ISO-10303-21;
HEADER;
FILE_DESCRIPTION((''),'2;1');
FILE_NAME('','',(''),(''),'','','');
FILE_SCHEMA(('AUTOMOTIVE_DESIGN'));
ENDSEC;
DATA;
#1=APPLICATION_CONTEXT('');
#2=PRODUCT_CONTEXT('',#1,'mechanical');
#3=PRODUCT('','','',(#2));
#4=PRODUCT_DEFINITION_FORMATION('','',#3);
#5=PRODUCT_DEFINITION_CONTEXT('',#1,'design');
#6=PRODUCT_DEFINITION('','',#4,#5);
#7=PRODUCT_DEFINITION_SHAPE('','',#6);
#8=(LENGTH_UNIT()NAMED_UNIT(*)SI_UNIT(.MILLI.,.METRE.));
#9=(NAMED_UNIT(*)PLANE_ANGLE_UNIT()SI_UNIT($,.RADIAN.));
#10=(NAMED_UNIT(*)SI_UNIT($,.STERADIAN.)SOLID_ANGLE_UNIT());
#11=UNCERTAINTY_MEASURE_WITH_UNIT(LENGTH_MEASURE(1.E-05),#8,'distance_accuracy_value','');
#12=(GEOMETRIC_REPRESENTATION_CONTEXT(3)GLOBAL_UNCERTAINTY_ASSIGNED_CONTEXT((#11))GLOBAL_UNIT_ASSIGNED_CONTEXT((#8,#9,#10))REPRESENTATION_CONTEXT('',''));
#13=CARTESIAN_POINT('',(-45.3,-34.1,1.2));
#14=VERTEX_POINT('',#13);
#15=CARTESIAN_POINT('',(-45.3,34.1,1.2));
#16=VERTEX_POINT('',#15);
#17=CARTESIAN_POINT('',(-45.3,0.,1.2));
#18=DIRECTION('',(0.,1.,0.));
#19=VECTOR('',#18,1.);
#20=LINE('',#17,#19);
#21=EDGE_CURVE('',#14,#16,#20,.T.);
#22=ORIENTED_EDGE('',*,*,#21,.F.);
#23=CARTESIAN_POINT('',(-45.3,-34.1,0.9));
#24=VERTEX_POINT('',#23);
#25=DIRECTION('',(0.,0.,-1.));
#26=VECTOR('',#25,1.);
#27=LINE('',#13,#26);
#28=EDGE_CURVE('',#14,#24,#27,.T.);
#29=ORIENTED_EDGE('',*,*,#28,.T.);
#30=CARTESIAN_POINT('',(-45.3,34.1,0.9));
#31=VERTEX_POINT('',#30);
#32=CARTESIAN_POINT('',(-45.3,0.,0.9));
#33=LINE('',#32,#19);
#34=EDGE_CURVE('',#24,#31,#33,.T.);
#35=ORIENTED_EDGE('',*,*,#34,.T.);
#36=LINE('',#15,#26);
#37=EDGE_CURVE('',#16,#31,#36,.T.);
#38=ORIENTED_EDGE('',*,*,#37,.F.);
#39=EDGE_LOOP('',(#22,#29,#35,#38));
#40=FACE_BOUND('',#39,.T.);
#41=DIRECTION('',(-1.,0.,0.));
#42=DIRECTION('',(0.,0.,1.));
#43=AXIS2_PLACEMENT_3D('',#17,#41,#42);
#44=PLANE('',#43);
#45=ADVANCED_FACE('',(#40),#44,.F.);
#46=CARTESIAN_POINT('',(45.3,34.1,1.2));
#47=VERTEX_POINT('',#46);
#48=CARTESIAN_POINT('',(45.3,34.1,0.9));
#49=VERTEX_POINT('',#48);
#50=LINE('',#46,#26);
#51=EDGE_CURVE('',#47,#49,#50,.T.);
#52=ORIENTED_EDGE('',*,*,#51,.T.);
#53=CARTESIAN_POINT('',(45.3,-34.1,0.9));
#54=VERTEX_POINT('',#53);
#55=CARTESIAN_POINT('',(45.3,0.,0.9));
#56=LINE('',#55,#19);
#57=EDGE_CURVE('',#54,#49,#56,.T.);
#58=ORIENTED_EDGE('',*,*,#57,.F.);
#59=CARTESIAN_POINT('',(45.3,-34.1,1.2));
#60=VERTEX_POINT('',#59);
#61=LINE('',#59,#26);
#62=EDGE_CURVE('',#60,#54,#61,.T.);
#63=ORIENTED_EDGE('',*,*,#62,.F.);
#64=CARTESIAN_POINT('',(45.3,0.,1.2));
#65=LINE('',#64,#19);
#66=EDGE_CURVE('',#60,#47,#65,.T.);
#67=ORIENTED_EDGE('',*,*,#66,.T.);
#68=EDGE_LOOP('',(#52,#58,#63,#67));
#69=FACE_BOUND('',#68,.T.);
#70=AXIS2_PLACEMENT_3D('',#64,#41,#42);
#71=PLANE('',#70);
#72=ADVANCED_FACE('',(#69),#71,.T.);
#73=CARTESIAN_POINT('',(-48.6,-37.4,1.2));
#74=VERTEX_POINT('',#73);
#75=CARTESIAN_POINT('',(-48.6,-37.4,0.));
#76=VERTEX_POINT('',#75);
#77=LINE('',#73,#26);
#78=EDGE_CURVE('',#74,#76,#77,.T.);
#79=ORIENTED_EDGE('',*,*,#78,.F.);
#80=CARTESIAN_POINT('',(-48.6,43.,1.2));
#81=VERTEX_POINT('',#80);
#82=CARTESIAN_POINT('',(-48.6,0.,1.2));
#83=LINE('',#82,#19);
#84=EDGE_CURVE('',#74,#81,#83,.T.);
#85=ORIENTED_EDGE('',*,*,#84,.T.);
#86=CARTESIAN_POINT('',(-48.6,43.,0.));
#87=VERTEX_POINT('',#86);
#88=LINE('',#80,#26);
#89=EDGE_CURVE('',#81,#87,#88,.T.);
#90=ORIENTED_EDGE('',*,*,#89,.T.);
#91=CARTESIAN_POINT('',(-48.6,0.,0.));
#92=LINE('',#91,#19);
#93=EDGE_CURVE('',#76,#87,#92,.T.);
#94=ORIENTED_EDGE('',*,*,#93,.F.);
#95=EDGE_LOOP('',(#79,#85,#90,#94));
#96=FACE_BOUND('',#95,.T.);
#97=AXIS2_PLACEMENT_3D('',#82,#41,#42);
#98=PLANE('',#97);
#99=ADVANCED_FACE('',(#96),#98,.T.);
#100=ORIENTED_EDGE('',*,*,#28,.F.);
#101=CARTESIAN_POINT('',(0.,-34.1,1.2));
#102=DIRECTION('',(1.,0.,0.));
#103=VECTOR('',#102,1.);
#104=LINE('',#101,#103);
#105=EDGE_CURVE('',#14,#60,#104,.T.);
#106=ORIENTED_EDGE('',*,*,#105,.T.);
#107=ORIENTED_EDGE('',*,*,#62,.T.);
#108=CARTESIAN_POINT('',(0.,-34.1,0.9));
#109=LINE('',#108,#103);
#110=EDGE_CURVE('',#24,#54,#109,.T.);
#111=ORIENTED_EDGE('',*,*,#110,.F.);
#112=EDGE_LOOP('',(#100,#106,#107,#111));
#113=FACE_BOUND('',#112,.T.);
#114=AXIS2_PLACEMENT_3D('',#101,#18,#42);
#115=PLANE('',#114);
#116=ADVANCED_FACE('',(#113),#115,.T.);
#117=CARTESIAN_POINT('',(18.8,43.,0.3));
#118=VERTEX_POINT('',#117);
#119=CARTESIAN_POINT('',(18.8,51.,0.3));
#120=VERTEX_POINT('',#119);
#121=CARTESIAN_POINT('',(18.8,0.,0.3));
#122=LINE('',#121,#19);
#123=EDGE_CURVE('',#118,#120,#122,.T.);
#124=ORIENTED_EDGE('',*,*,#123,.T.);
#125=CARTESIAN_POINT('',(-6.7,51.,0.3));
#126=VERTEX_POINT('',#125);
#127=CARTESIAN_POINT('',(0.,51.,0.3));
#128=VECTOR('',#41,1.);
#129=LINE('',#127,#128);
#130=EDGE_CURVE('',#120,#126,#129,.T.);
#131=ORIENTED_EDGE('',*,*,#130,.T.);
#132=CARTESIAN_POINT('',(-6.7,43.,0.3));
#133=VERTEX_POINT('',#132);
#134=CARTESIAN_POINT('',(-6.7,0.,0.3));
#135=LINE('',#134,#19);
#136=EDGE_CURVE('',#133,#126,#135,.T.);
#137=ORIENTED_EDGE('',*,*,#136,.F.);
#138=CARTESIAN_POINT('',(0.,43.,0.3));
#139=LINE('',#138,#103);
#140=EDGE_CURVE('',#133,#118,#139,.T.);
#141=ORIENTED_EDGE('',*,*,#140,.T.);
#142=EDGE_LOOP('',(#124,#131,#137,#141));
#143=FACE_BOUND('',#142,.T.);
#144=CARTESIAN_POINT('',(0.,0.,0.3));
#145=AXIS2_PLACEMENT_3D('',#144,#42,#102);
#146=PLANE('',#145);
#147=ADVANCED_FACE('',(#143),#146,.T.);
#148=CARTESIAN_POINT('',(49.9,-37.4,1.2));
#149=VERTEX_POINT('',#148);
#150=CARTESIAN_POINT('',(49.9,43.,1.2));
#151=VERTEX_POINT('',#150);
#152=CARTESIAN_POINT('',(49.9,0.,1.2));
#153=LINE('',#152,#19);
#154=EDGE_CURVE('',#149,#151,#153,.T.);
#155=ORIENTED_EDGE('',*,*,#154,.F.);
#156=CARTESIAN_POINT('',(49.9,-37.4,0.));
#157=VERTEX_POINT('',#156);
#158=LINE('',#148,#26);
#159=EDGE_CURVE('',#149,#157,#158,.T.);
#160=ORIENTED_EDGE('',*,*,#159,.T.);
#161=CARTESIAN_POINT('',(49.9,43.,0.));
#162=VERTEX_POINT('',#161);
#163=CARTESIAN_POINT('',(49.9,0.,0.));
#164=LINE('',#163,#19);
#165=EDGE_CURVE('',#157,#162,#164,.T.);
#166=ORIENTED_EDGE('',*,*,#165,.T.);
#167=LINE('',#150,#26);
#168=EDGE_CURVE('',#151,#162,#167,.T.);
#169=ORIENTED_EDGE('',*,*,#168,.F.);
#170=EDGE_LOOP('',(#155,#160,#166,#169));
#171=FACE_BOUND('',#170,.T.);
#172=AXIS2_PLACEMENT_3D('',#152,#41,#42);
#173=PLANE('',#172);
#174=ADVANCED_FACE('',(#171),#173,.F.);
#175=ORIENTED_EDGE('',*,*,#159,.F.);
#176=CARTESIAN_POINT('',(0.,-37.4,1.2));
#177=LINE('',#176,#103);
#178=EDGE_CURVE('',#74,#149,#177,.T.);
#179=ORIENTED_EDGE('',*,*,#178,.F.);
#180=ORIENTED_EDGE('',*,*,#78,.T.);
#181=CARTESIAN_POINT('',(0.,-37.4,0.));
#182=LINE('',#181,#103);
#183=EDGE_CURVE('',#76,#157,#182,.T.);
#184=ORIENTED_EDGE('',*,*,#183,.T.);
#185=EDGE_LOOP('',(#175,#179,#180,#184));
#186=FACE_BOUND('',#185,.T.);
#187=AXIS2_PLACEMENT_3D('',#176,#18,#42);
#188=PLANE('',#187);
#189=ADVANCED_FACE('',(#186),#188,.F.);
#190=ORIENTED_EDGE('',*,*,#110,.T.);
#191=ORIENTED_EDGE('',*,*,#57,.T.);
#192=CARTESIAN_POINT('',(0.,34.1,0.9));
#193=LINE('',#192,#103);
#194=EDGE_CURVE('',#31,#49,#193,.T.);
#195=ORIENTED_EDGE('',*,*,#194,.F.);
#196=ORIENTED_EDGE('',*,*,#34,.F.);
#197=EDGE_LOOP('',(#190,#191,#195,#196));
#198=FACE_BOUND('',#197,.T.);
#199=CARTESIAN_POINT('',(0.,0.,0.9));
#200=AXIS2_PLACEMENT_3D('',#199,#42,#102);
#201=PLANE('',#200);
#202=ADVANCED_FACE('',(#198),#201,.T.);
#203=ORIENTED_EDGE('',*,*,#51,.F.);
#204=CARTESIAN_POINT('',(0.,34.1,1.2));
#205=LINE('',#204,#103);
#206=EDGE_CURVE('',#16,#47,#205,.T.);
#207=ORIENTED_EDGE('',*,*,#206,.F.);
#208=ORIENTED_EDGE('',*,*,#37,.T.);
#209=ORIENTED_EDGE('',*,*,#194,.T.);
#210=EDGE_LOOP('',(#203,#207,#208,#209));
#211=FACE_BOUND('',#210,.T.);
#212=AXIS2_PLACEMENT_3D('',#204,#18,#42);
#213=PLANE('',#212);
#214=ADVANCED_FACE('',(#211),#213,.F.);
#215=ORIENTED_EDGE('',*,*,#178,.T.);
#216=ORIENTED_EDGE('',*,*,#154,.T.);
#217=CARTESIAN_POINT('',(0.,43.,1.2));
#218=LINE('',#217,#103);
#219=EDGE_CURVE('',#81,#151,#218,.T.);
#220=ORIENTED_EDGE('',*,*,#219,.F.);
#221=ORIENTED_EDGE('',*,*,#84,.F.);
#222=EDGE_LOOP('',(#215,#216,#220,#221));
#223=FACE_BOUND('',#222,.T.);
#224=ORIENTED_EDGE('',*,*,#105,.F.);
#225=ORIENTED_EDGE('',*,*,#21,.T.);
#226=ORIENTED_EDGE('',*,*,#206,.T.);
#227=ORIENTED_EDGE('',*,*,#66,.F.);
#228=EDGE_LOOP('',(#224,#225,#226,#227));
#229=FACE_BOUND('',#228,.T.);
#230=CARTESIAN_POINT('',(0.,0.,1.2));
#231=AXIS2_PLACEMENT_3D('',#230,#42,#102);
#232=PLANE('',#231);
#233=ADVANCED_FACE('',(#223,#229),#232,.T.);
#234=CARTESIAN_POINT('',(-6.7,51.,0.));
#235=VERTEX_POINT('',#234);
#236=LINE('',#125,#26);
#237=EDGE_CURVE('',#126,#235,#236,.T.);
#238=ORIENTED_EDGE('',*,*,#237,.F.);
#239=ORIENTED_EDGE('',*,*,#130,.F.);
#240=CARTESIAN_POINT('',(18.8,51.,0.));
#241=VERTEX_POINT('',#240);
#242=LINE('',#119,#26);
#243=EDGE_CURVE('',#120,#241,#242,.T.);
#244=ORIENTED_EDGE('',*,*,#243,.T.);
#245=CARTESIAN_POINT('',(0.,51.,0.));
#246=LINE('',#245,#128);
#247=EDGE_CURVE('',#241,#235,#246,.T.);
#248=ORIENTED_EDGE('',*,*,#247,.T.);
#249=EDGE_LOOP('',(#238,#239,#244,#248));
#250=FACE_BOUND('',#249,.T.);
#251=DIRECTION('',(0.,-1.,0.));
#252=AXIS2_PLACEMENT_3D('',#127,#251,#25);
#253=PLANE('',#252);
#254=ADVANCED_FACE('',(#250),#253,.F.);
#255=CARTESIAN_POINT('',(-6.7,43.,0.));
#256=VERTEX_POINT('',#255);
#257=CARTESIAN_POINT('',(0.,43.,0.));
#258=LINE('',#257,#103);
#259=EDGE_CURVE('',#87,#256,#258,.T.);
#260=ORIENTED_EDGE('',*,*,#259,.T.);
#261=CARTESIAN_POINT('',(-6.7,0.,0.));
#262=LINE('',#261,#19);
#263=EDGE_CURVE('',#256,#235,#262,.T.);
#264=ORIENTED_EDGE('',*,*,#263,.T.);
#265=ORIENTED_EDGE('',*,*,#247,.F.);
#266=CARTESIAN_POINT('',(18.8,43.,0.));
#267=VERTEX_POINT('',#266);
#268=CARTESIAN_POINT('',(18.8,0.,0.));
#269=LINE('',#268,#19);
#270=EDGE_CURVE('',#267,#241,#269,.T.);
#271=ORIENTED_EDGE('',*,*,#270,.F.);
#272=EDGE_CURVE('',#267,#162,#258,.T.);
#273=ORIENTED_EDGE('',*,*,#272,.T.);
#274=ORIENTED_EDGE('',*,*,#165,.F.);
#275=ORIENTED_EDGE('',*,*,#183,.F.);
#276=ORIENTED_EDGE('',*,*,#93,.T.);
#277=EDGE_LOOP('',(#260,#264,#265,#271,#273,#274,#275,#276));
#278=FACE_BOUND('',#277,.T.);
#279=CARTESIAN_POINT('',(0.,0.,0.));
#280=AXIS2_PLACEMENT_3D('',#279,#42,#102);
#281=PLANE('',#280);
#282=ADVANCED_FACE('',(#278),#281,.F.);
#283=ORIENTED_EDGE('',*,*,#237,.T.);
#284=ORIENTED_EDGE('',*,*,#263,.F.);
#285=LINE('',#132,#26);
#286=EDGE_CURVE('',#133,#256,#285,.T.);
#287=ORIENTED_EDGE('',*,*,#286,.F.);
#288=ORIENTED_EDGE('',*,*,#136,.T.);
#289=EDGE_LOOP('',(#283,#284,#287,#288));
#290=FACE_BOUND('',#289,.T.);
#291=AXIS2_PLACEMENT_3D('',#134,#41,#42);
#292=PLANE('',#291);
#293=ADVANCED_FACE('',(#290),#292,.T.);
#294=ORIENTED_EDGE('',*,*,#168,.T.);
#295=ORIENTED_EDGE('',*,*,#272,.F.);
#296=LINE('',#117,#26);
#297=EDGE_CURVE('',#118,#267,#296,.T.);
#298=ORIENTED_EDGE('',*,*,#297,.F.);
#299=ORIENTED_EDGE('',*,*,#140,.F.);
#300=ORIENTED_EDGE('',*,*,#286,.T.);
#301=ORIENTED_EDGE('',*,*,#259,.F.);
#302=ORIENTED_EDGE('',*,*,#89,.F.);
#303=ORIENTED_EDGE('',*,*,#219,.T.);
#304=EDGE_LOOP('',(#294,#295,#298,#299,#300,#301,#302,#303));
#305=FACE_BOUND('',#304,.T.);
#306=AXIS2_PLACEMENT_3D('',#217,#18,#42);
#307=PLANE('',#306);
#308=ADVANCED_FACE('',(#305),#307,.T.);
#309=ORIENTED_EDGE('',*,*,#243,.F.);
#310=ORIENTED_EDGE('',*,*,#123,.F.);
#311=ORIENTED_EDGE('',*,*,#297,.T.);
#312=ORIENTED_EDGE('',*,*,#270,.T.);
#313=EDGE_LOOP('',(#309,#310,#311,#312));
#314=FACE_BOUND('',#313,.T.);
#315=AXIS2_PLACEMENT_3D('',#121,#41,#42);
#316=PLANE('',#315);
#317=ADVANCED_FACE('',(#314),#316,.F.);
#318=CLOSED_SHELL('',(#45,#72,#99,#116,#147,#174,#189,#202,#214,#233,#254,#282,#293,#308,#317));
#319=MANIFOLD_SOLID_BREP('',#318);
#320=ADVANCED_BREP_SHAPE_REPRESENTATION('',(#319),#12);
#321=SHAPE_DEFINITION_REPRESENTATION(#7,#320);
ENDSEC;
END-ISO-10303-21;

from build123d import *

# Parameters (mm, degrees)
SKETCH1_W           = 90.6
SKETCH1_H           = 68.2
BOSS_EXTRUDE1_DEPTH = 1.2
SKETCH1_3_W         = 90.6
SKETCH1_3_H         = 68.2
BOSS_EXTRUDE2_DEPTH = 0.9
SKETCH1_4_W         = 25.5
SKETCH1_4_H         = 8
BOSS_EXTRUDE3_DEPTH = 0.3


with BuildPart() as part:
    # Sketch1 → Boss-Extrude1 (new body)
    with BuildSketch(Plane.XY):
        Polygon((-48.6, 43), (-48.6, -37.4), (49.9, -37.4), (49.9, 43), (18.8, 43), (-6.7, 43), align=None)
        Rectangle(SKETCH1_W, SKETCH1_H, mode=Mode.SUBTRACT)
    extrude(amount=BOSS_EXTRUDE1_DEPTH)

    # Sketch1<3> → Boss-Extrude2 (add)
    with BuildSketch(Plane.XY):
        Rectangle(SKETCH1_3_W, SKETCH1_3_H)
    extrude(amount=BOSS_EXTRUDE2_DEPTH)

    # Sketch1<4> → Boss-Extrude3 (add)
    with BuildSketch(Plane.XY):
        with Locations((6.05, 47)):
            Rectangle(SKETCH1_4_W, SKETCH1_4_H)
    extrude(amount=BOSS_EXTRUDE3_DEPTH)


solid = part.part
